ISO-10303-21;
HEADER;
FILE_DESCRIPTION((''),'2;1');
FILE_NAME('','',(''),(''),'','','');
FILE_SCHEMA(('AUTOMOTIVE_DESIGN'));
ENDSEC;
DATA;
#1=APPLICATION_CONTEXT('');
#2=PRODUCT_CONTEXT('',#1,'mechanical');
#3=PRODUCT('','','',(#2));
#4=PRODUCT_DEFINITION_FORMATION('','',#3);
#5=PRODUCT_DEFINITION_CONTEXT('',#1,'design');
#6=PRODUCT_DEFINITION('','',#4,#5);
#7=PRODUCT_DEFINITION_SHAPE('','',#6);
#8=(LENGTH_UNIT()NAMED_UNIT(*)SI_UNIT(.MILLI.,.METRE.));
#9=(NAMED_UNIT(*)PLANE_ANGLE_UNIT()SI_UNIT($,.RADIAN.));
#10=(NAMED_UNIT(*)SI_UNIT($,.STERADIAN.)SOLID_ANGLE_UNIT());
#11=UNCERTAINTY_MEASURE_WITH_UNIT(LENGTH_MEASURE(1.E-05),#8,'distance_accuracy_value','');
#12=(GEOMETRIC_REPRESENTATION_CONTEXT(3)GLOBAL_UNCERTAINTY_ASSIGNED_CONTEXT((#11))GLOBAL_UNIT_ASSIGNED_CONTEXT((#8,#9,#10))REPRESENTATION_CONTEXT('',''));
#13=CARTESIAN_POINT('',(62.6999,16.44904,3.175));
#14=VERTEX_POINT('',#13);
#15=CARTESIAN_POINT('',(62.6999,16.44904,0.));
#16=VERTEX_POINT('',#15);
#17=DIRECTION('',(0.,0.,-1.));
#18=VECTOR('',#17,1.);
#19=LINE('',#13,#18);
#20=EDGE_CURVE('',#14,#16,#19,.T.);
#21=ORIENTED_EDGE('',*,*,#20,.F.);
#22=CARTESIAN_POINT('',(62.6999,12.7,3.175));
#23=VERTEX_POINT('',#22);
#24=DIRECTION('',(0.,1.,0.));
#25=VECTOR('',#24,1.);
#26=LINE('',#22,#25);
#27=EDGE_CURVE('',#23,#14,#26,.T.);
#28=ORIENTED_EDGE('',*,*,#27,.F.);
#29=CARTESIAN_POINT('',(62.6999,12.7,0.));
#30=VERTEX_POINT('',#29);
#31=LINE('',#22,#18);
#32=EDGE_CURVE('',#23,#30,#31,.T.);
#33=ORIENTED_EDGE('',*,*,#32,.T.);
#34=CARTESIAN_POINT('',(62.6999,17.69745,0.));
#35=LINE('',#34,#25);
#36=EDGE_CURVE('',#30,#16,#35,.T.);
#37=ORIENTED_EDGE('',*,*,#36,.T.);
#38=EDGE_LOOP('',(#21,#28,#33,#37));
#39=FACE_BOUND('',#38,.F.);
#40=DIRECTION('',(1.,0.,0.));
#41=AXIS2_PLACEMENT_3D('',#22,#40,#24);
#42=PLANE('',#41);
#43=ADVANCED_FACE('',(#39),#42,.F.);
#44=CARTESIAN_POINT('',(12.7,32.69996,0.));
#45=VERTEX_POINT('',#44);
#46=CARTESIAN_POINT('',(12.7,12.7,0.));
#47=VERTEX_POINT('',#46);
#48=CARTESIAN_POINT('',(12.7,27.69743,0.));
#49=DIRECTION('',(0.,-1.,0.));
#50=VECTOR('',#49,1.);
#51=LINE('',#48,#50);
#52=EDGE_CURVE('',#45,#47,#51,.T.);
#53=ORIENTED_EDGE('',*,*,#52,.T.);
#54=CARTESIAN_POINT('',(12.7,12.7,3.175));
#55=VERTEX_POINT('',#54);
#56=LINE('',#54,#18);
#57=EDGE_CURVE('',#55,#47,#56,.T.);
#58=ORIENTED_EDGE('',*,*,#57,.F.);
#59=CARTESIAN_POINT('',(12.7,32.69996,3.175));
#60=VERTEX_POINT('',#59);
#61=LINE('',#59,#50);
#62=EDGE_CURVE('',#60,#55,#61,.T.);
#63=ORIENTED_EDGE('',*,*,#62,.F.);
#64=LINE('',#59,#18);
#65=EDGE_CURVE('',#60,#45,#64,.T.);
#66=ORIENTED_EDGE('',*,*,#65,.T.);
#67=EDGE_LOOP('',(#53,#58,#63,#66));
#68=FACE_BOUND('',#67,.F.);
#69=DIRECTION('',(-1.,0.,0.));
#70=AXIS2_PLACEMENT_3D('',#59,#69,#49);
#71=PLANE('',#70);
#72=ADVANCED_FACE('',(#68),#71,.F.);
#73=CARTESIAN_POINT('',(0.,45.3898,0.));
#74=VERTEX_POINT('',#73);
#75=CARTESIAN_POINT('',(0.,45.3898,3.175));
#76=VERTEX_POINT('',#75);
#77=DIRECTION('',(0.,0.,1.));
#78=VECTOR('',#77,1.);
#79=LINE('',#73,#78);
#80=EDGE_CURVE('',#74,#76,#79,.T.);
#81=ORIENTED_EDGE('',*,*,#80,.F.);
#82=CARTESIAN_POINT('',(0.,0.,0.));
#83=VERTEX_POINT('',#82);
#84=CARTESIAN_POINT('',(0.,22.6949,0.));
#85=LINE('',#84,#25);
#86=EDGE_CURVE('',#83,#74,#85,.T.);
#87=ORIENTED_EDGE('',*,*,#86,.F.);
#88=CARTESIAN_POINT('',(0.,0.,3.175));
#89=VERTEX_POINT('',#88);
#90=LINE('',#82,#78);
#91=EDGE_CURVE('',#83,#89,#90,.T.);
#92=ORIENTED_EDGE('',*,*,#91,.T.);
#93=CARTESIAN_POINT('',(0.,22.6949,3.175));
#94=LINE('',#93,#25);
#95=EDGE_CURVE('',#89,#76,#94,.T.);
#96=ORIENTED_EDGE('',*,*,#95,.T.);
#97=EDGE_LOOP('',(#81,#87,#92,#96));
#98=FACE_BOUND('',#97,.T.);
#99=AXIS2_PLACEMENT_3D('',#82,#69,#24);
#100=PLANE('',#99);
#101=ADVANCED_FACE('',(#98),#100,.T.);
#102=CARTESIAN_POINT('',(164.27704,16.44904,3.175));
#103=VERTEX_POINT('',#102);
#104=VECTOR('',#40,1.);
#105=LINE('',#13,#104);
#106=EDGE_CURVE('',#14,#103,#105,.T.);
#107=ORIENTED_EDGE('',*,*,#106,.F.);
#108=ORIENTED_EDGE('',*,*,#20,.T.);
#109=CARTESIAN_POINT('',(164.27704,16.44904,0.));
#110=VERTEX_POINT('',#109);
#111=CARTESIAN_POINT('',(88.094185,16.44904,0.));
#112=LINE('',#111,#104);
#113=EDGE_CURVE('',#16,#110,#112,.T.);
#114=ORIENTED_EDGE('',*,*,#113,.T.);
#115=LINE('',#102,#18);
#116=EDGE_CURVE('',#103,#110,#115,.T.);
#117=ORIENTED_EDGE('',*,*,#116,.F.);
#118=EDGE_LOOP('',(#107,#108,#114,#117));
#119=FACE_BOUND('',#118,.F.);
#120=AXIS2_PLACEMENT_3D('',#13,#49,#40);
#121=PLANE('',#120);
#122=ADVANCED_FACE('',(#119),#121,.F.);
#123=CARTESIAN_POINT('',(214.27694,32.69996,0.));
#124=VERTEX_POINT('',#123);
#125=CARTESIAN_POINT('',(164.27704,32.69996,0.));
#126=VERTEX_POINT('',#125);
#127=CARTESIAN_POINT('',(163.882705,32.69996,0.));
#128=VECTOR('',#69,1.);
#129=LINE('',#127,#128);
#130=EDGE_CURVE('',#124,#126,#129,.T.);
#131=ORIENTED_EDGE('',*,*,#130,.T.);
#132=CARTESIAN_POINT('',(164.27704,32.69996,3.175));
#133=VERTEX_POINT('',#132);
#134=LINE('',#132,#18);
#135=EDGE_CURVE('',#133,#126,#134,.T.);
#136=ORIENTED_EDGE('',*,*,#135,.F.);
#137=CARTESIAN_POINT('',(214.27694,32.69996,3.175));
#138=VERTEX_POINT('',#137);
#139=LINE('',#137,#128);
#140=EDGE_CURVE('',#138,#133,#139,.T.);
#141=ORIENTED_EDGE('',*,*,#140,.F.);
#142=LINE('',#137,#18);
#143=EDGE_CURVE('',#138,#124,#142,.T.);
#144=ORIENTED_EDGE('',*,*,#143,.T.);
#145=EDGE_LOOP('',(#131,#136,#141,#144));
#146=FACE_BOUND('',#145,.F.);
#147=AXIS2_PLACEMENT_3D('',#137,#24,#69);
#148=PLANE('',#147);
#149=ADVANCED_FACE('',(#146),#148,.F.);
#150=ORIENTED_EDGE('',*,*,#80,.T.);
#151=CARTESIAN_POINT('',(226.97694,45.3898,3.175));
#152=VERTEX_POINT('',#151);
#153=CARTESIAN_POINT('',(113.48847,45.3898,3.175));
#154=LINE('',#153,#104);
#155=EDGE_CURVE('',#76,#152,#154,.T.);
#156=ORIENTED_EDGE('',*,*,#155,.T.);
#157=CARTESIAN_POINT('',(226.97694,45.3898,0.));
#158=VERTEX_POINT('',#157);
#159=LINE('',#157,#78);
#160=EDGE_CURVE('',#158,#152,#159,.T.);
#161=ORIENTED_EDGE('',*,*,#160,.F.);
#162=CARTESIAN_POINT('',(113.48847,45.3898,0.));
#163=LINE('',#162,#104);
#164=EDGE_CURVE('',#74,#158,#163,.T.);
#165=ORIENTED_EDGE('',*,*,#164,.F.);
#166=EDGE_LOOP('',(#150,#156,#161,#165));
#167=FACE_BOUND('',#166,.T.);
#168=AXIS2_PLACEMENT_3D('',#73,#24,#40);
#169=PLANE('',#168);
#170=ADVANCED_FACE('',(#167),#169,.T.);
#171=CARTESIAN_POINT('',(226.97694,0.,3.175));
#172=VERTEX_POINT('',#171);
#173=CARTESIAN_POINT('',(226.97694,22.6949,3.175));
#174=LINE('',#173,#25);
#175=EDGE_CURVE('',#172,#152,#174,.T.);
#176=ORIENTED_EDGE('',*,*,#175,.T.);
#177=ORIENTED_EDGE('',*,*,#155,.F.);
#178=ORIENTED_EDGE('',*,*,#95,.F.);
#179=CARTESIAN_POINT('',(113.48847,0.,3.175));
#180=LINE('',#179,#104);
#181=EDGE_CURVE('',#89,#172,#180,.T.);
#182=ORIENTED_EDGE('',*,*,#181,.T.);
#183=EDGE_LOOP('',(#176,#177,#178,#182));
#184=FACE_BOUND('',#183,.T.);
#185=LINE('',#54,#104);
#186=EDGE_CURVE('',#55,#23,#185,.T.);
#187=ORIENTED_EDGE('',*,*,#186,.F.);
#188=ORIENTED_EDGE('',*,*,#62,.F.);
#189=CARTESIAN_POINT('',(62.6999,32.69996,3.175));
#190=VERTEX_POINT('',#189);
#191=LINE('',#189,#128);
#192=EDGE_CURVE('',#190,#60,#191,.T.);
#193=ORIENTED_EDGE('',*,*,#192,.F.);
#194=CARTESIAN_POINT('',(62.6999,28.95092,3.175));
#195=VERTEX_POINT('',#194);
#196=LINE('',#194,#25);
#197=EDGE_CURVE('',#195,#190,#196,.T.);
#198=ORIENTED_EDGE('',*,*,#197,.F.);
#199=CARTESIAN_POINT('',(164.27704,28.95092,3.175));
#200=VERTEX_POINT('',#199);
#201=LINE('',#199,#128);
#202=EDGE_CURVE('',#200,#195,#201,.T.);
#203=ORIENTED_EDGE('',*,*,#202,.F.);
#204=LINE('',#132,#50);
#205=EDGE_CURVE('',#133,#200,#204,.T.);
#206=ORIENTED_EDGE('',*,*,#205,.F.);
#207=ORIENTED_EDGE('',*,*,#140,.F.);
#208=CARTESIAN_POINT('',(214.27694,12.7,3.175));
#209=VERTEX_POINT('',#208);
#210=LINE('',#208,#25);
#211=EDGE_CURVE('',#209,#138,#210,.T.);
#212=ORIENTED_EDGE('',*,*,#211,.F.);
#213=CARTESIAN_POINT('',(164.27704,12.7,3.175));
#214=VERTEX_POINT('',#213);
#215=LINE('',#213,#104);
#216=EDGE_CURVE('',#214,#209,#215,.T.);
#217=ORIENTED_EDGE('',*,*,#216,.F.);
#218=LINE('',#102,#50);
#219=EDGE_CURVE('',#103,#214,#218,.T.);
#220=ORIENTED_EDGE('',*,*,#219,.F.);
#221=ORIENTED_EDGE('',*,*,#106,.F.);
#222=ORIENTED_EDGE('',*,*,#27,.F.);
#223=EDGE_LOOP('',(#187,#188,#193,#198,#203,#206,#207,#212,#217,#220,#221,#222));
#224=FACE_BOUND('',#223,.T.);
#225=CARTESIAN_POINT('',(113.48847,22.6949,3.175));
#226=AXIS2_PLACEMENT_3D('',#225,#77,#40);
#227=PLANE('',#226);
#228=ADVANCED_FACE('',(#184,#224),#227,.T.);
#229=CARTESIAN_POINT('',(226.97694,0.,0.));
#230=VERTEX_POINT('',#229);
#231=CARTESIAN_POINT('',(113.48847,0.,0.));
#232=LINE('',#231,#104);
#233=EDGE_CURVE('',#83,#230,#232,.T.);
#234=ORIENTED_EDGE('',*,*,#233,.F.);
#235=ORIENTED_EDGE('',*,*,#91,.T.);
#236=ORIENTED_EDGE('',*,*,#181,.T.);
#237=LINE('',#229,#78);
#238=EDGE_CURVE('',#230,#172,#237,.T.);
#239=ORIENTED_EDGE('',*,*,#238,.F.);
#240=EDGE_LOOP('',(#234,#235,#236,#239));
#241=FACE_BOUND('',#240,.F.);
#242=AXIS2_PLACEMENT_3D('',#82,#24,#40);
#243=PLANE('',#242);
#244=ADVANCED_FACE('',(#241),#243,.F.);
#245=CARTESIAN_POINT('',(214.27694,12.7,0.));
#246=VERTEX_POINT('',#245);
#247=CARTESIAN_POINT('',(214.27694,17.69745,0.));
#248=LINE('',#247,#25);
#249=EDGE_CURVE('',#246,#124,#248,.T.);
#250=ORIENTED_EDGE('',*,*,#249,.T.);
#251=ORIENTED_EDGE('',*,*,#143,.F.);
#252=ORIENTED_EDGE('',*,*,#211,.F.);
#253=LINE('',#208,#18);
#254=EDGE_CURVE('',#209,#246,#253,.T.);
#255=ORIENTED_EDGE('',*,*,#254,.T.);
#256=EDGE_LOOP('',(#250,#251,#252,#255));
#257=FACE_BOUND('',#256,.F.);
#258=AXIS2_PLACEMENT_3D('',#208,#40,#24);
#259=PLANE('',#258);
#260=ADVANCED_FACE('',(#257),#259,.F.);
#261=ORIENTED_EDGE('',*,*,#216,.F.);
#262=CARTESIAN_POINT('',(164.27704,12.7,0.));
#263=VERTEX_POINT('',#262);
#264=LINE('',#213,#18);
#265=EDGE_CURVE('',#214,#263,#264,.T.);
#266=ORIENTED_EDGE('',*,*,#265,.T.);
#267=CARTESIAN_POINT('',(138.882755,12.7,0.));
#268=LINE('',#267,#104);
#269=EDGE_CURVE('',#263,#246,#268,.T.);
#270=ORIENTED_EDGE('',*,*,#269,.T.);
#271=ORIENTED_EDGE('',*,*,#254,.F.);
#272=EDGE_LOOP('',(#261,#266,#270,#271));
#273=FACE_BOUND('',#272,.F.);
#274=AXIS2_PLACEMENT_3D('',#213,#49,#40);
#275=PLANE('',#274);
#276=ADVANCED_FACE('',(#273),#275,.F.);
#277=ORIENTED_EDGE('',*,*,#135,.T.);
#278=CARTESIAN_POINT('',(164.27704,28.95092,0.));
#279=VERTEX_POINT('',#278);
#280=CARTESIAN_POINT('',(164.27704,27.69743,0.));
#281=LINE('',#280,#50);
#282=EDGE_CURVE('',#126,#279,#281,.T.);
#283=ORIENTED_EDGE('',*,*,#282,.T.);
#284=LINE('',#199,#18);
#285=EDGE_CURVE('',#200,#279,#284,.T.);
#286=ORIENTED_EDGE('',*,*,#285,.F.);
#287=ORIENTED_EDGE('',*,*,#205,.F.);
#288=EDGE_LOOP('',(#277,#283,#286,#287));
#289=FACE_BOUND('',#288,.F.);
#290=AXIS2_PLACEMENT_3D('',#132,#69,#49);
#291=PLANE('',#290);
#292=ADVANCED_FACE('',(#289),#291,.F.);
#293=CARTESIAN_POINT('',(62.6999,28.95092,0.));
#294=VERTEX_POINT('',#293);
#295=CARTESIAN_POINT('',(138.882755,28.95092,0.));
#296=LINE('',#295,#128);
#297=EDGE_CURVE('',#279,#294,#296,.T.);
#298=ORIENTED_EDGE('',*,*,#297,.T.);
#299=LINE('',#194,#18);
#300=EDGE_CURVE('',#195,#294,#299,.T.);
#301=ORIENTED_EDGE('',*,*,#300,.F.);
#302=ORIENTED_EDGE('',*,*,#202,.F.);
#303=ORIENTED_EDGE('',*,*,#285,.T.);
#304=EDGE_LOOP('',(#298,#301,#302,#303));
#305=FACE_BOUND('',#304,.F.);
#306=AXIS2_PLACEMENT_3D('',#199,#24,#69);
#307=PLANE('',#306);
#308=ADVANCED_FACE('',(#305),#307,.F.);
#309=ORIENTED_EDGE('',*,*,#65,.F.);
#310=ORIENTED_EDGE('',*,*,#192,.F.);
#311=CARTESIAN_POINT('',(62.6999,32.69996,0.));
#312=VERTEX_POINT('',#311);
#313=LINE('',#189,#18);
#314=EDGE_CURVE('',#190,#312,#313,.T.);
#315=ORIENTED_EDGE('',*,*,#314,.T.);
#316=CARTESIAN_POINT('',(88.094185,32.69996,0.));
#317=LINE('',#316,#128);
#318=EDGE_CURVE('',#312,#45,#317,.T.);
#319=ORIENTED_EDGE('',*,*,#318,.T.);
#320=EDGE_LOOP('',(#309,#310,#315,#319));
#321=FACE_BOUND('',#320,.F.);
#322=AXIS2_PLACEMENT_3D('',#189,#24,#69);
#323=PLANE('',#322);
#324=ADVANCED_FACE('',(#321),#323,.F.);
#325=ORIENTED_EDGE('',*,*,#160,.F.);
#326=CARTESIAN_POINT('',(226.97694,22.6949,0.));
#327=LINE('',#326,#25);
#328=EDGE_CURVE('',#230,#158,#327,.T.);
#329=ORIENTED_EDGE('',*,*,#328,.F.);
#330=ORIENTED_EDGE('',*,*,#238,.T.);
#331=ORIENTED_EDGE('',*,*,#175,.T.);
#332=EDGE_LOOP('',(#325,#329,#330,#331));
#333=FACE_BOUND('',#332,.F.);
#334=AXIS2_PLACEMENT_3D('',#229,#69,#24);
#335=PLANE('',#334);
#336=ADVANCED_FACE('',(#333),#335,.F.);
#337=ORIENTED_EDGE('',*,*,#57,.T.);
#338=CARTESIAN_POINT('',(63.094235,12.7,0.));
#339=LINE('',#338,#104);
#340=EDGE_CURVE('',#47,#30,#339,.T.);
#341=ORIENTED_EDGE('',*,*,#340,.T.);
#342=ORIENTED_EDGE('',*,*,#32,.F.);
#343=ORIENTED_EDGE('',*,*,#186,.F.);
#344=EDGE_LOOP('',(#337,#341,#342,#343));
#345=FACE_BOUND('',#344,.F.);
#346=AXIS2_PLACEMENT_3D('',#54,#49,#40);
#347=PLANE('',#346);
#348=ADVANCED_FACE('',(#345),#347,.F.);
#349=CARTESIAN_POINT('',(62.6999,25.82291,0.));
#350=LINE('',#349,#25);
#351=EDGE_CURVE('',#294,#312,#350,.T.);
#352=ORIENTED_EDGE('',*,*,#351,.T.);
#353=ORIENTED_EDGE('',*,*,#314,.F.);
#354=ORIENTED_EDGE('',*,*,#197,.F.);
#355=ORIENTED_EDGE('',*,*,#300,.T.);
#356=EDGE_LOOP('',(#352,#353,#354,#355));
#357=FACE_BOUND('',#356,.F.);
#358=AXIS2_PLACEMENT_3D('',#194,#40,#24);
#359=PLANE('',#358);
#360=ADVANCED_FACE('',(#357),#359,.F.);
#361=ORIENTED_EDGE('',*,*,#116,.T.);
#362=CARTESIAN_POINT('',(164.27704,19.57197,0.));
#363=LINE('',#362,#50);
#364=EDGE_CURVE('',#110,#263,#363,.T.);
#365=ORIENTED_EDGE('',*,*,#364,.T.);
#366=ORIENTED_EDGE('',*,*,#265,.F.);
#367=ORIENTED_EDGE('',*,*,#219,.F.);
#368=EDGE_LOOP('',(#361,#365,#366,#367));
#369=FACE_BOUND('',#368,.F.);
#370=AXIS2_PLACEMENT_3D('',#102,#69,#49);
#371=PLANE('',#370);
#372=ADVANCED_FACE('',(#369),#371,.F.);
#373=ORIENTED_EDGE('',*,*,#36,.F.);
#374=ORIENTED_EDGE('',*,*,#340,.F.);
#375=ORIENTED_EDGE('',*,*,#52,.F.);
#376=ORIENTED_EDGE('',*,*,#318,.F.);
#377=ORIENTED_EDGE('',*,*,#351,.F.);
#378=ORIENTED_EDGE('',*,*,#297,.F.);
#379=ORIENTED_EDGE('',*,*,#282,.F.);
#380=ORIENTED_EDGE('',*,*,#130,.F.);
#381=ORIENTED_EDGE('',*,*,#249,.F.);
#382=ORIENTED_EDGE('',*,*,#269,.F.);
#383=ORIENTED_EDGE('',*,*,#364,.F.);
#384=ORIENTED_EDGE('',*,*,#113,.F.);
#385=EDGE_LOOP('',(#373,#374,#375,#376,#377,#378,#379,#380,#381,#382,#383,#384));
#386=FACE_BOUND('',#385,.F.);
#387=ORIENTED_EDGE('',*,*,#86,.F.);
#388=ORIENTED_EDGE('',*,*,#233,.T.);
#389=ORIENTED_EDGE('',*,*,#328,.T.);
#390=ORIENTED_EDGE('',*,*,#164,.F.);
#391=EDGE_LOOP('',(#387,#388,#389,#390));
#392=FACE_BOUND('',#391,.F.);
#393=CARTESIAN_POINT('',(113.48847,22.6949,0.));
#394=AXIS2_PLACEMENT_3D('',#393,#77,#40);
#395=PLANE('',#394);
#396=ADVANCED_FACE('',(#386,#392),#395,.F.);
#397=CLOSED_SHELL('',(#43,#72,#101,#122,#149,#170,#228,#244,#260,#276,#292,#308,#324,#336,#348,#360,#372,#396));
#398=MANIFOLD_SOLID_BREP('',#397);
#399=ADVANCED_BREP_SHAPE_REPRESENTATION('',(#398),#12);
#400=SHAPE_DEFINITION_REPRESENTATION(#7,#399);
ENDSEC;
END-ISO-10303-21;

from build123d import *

# Parameters (mm, degrees)
F0_W     = 226.97694
F0_H     = 45.3898
F1_DEPTH = 3.175
F3_DEPTH = 25.4


with BuildPart() as f1:
    # F0 (on Top) → F1 (new body)
    with BuildSketch(Plane.XY):
        with Locations((113.48847, 22.6949)):
            Rectangle(F0_W, F0_H)
    extrude(amount=F1_DEPTH)

    # F2 (on face) → F3 (cut)
    with BuildSketch(Plane.XY.offset(3.175)):
        Polygon((12.7, 32.69996), (12.7, 12.7), (62.6999, 12.7), (62.6999, 16.44904), (72.02678, 16.44904), (154.95016, 16.44904), (164.27704, 16.44904), (164.27704, 12.7), (214.27694, 12.7), (214.27694, 32.69996), (164.27704, 32.69996), (164.27704, 28.95092), (154.95016, 28.95092), (72.02678, 28.95092), (62.6999, 28.95092), (62.6999, 32.69996), align=None)
    extrude(amount=-F3_DEPTH, mode=Mode.SUBTRACT)


solid = f1.part
